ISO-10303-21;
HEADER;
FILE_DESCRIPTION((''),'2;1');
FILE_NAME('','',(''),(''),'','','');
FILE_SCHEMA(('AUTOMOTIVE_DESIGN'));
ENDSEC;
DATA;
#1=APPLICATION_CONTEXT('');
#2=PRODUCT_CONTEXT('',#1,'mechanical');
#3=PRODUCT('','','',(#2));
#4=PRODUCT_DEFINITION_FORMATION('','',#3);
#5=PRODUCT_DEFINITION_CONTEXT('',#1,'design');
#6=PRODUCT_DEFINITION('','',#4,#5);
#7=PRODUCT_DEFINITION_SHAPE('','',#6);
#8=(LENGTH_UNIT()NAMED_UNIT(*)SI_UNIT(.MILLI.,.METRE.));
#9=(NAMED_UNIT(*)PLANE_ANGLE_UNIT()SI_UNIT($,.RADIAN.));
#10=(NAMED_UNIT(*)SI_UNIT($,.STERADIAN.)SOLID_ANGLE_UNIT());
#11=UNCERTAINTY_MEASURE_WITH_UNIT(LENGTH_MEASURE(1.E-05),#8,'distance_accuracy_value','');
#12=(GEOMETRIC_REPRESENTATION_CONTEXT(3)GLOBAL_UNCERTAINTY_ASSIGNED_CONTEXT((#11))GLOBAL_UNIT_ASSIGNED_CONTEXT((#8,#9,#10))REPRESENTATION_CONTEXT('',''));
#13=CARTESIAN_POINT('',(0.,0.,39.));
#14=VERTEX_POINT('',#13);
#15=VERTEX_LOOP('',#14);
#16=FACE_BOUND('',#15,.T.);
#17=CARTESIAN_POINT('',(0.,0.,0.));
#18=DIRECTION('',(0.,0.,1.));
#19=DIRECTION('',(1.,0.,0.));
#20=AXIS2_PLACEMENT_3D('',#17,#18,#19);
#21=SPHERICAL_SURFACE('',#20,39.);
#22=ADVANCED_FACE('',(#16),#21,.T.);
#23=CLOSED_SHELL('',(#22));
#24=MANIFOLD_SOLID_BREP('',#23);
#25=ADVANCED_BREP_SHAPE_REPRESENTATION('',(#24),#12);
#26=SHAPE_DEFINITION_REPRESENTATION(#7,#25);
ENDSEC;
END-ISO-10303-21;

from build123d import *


with BuildPart() as part:
    # Sphere → Sphere (revolve)
    with BuildSketch(Plane.XZ):
        with BuildLine():
            ThreePointArc((0, -39), (39, 0), (0, 39))
            Line((0, 39), (0, -39))
        make_face()
    revolve(axis=Axis((0, 0, 0), (0, 0, 1)))


solid = part.part
